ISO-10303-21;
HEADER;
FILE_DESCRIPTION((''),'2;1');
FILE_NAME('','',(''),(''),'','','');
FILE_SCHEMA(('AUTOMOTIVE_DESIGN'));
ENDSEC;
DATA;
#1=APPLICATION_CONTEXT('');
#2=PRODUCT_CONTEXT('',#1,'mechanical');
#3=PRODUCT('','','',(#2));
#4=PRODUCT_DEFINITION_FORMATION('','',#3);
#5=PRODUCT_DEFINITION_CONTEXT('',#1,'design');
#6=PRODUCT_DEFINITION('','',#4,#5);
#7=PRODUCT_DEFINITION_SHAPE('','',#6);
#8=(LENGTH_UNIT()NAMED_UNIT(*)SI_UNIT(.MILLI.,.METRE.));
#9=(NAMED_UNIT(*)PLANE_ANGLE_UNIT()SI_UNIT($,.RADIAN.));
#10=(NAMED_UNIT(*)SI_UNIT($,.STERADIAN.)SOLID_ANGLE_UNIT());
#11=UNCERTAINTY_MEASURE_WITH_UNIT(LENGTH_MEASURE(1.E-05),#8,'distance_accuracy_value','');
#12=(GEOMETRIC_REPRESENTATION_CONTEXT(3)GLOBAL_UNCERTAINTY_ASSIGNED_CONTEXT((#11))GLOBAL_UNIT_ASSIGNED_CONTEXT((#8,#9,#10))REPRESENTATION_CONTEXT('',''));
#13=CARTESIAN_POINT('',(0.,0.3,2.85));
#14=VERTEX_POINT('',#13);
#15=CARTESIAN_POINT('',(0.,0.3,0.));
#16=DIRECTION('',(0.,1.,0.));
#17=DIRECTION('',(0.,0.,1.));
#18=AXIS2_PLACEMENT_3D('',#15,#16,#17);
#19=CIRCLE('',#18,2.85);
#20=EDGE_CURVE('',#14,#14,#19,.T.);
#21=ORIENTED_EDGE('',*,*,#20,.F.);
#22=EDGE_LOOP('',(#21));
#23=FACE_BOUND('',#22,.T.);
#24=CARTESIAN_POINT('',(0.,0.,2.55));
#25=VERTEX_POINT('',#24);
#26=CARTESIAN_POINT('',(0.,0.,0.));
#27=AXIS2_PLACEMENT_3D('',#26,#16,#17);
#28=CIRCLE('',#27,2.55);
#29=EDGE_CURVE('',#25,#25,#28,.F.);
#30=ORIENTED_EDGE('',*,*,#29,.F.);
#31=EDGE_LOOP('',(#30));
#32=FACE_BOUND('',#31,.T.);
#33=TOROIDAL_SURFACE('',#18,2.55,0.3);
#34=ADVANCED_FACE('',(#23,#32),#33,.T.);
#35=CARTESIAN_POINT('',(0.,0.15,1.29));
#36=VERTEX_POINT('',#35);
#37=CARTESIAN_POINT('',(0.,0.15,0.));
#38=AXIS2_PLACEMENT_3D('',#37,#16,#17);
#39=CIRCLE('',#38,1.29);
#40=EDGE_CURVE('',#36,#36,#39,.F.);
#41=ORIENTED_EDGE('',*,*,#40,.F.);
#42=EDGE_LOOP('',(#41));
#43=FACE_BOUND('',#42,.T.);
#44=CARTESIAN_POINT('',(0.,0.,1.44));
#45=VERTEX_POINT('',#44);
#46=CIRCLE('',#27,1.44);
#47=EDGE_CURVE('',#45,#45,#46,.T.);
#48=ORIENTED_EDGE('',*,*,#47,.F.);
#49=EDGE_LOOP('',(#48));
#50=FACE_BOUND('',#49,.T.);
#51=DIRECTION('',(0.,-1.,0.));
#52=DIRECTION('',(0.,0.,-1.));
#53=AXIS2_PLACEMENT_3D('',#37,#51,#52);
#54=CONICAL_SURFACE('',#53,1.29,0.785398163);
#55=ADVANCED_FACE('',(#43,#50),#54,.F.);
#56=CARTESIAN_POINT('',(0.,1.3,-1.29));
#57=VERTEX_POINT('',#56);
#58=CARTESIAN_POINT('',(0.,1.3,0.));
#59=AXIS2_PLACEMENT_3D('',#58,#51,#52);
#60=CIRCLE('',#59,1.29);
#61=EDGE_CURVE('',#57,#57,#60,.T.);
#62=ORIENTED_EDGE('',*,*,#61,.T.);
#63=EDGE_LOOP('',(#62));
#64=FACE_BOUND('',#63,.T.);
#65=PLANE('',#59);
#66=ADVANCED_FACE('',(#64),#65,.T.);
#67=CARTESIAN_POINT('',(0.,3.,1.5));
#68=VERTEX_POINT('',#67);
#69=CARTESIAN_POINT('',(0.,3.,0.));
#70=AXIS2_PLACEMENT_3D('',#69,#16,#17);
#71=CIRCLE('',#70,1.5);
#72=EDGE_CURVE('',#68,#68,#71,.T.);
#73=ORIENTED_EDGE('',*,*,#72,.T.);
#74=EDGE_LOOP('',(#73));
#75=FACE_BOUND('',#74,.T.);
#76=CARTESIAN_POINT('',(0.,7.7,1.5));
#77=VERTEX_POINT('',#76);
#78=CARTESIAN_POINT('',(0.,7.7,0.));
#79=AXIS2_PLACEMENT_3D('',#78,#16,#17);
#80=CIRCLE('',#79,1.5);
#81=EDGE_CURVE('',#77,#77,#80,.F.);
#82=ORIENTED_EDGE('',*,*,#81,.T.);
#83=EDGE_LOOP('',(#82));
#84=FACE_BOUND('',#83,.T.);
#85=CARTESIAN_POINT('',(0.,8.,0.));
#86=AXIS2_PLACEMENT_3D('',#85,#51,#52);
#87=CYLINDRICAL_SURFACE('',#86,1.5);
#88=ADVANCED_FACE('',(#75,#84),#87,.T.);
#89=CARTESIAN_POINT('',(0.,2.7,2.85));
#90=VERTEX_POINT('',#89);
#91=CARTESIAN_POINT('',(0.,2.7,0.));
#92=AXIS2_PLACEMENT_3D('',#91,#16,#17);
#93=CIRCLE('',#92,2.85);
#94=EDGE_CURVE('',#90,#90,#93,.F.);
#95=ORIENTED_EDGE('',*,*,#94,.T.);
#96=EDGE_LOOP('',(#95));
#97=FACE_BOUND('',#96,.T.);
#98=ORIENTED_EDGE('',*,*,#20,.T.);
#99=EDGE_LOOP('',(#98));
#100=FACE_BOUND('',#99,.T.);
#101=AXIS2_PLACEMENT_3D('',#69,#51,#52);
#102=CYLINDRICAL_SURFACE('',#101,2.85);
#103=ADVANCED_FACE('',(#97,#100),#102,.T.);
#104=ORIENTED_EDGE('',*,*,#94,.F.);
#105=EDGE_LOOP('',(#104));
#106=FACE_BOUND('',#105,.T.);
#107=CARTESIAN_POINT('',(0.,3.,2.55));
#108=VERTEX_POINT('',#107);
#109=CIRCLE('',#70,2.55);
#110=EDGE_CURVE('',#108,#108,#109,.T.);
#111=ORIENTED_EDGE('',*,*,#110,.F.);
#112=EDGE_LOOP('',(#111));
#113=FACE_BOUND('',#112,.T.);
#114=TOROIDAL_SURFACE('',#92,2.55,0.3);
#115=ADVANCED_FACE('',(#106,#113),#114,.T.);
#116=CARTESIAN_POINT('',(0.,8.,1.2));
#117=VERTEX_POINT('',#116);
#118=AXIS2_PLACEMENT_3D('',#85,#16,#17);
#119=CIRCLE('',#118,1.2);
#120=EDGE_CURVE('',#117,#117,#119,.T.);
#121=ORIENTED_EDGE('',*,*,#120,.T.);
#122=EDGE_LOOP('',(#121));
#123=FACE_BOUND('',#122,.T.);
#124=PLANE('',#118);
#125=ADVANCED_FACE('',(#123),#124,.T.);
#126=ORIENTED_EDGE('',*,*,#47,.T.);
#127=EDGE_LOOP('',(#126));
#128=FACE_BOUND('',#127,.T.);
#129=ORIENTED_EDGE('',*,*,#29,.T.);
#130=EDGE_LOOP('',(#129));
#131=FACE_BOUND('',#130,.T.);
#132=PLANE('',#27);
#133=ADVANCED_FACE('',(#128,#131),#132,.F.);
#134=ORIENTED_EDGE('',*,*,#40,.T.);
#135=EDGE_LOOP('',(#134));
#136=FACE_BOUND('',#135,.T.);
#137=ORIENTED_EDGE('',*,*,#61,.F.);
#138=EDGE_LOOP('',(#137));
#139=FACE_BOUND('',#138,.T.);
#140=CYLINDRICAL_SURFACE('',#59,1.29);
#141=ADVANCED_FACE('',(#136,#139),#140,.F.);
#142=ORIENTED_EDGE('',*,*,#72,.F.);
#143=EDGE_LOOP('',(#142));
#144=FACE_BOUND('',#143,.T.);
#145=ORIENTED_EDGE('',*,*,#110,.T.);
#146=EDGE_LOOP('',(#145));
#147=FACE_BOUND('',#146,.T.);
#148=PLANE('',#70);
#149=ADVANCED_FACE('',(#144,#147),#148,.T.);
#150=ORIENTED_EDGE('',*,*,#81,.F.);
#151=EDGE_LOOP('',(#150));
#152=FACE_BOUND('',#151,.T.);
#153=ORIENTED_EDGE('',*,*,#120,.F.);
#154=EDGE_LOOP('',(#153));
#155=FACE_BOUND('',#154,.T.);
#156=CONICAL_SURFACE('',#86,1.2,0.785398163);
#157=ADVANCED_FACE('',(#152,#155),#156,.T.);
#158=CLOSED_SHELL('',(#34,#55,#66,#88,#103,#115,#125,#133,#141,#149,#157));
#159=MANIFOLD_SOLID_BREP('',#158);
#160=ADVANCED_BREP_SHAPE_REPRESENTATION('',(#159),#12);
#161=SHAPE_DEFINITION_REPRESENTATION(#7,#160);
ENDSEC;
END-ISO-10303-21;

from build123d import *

# Parameters (mm, degrees)
SKETCH_1_R          = 2.85
EXTRUDE_1_DEPTH     = 3
SKETCH_2_R          = 1.5
EXTRUDE_2_DEPTH     = 5
SKETCH_3_R          = 1.29
CUT_EXTRUDE_1_DEPTH = 1.3
FILLET_1_R          = 0.3
CHAMFER_1_SIZE      = 0.3
CHAMFER_2_SIZE      = 0.15


with BuildPart() as part:
    # 草图1 → 凸台-拉伸1 (new body)
    with BuildSketch(Plane(origin=(0, 0, 0), x_dir=(1, 0, 0), z_dir=(0, 1, 0))):
        with Locations(Location((0, 0, 0), (0, 0, 270))):
            Circle(SKETCH_1_R)
    extrude(amount=EXTRUDE_1_DEPTH)

    # 草图2 → 凸台-拉伸2 (add)
    with BuildSketch(Plane(origin=(0, 3, 0), x_dir=(1, 0, 0), z_dir=(0, 1, 0))):
        with Locations(Location((0, 0, 0), (0, 0, 270))):
            Circle(SKETCH_2_R)
    extrude(amount=EXTRUDE_2_DEPTH)

    # 草图3 → 切除-拉伸1 (cut)
    with BuildSketch(Plane.XZ):
        with Locations(Location((0, 0, 0), (0, 0, 270))):
            Circle(SKETCH_3_R)
    extrude(amount=-CUT_EXTRUDE_1_DEPTH, mode=Mode.SUBTRACT)

    # 圆角1
    fillet_1_edges = [part.edges().sort_by_distance(p)[0] for p in [
        (0, 0, -2.85),
        (0, 3, -2.85),
    ]]
    fillet(fillet_1_edges, radius=FILLET_1_R)

    # 倒角1
    chamfer_1_edges = [part.edges().sort_by_distance(p)[0] for p in [
        (0, 8, -1.5),
    ]]
    chamfer(chamfer_1_edges, length=CHAMFER_1_SIZE)

    # 倒角2
    chamfer_2_edges = [part.edges().sort_by_distance(p)[0] for p in [
        (0, 0, 1.29),
    ]]
    chamfer(chamfer_2_edges, length=CHAMFER_2_SIZE)


solid = part.part
